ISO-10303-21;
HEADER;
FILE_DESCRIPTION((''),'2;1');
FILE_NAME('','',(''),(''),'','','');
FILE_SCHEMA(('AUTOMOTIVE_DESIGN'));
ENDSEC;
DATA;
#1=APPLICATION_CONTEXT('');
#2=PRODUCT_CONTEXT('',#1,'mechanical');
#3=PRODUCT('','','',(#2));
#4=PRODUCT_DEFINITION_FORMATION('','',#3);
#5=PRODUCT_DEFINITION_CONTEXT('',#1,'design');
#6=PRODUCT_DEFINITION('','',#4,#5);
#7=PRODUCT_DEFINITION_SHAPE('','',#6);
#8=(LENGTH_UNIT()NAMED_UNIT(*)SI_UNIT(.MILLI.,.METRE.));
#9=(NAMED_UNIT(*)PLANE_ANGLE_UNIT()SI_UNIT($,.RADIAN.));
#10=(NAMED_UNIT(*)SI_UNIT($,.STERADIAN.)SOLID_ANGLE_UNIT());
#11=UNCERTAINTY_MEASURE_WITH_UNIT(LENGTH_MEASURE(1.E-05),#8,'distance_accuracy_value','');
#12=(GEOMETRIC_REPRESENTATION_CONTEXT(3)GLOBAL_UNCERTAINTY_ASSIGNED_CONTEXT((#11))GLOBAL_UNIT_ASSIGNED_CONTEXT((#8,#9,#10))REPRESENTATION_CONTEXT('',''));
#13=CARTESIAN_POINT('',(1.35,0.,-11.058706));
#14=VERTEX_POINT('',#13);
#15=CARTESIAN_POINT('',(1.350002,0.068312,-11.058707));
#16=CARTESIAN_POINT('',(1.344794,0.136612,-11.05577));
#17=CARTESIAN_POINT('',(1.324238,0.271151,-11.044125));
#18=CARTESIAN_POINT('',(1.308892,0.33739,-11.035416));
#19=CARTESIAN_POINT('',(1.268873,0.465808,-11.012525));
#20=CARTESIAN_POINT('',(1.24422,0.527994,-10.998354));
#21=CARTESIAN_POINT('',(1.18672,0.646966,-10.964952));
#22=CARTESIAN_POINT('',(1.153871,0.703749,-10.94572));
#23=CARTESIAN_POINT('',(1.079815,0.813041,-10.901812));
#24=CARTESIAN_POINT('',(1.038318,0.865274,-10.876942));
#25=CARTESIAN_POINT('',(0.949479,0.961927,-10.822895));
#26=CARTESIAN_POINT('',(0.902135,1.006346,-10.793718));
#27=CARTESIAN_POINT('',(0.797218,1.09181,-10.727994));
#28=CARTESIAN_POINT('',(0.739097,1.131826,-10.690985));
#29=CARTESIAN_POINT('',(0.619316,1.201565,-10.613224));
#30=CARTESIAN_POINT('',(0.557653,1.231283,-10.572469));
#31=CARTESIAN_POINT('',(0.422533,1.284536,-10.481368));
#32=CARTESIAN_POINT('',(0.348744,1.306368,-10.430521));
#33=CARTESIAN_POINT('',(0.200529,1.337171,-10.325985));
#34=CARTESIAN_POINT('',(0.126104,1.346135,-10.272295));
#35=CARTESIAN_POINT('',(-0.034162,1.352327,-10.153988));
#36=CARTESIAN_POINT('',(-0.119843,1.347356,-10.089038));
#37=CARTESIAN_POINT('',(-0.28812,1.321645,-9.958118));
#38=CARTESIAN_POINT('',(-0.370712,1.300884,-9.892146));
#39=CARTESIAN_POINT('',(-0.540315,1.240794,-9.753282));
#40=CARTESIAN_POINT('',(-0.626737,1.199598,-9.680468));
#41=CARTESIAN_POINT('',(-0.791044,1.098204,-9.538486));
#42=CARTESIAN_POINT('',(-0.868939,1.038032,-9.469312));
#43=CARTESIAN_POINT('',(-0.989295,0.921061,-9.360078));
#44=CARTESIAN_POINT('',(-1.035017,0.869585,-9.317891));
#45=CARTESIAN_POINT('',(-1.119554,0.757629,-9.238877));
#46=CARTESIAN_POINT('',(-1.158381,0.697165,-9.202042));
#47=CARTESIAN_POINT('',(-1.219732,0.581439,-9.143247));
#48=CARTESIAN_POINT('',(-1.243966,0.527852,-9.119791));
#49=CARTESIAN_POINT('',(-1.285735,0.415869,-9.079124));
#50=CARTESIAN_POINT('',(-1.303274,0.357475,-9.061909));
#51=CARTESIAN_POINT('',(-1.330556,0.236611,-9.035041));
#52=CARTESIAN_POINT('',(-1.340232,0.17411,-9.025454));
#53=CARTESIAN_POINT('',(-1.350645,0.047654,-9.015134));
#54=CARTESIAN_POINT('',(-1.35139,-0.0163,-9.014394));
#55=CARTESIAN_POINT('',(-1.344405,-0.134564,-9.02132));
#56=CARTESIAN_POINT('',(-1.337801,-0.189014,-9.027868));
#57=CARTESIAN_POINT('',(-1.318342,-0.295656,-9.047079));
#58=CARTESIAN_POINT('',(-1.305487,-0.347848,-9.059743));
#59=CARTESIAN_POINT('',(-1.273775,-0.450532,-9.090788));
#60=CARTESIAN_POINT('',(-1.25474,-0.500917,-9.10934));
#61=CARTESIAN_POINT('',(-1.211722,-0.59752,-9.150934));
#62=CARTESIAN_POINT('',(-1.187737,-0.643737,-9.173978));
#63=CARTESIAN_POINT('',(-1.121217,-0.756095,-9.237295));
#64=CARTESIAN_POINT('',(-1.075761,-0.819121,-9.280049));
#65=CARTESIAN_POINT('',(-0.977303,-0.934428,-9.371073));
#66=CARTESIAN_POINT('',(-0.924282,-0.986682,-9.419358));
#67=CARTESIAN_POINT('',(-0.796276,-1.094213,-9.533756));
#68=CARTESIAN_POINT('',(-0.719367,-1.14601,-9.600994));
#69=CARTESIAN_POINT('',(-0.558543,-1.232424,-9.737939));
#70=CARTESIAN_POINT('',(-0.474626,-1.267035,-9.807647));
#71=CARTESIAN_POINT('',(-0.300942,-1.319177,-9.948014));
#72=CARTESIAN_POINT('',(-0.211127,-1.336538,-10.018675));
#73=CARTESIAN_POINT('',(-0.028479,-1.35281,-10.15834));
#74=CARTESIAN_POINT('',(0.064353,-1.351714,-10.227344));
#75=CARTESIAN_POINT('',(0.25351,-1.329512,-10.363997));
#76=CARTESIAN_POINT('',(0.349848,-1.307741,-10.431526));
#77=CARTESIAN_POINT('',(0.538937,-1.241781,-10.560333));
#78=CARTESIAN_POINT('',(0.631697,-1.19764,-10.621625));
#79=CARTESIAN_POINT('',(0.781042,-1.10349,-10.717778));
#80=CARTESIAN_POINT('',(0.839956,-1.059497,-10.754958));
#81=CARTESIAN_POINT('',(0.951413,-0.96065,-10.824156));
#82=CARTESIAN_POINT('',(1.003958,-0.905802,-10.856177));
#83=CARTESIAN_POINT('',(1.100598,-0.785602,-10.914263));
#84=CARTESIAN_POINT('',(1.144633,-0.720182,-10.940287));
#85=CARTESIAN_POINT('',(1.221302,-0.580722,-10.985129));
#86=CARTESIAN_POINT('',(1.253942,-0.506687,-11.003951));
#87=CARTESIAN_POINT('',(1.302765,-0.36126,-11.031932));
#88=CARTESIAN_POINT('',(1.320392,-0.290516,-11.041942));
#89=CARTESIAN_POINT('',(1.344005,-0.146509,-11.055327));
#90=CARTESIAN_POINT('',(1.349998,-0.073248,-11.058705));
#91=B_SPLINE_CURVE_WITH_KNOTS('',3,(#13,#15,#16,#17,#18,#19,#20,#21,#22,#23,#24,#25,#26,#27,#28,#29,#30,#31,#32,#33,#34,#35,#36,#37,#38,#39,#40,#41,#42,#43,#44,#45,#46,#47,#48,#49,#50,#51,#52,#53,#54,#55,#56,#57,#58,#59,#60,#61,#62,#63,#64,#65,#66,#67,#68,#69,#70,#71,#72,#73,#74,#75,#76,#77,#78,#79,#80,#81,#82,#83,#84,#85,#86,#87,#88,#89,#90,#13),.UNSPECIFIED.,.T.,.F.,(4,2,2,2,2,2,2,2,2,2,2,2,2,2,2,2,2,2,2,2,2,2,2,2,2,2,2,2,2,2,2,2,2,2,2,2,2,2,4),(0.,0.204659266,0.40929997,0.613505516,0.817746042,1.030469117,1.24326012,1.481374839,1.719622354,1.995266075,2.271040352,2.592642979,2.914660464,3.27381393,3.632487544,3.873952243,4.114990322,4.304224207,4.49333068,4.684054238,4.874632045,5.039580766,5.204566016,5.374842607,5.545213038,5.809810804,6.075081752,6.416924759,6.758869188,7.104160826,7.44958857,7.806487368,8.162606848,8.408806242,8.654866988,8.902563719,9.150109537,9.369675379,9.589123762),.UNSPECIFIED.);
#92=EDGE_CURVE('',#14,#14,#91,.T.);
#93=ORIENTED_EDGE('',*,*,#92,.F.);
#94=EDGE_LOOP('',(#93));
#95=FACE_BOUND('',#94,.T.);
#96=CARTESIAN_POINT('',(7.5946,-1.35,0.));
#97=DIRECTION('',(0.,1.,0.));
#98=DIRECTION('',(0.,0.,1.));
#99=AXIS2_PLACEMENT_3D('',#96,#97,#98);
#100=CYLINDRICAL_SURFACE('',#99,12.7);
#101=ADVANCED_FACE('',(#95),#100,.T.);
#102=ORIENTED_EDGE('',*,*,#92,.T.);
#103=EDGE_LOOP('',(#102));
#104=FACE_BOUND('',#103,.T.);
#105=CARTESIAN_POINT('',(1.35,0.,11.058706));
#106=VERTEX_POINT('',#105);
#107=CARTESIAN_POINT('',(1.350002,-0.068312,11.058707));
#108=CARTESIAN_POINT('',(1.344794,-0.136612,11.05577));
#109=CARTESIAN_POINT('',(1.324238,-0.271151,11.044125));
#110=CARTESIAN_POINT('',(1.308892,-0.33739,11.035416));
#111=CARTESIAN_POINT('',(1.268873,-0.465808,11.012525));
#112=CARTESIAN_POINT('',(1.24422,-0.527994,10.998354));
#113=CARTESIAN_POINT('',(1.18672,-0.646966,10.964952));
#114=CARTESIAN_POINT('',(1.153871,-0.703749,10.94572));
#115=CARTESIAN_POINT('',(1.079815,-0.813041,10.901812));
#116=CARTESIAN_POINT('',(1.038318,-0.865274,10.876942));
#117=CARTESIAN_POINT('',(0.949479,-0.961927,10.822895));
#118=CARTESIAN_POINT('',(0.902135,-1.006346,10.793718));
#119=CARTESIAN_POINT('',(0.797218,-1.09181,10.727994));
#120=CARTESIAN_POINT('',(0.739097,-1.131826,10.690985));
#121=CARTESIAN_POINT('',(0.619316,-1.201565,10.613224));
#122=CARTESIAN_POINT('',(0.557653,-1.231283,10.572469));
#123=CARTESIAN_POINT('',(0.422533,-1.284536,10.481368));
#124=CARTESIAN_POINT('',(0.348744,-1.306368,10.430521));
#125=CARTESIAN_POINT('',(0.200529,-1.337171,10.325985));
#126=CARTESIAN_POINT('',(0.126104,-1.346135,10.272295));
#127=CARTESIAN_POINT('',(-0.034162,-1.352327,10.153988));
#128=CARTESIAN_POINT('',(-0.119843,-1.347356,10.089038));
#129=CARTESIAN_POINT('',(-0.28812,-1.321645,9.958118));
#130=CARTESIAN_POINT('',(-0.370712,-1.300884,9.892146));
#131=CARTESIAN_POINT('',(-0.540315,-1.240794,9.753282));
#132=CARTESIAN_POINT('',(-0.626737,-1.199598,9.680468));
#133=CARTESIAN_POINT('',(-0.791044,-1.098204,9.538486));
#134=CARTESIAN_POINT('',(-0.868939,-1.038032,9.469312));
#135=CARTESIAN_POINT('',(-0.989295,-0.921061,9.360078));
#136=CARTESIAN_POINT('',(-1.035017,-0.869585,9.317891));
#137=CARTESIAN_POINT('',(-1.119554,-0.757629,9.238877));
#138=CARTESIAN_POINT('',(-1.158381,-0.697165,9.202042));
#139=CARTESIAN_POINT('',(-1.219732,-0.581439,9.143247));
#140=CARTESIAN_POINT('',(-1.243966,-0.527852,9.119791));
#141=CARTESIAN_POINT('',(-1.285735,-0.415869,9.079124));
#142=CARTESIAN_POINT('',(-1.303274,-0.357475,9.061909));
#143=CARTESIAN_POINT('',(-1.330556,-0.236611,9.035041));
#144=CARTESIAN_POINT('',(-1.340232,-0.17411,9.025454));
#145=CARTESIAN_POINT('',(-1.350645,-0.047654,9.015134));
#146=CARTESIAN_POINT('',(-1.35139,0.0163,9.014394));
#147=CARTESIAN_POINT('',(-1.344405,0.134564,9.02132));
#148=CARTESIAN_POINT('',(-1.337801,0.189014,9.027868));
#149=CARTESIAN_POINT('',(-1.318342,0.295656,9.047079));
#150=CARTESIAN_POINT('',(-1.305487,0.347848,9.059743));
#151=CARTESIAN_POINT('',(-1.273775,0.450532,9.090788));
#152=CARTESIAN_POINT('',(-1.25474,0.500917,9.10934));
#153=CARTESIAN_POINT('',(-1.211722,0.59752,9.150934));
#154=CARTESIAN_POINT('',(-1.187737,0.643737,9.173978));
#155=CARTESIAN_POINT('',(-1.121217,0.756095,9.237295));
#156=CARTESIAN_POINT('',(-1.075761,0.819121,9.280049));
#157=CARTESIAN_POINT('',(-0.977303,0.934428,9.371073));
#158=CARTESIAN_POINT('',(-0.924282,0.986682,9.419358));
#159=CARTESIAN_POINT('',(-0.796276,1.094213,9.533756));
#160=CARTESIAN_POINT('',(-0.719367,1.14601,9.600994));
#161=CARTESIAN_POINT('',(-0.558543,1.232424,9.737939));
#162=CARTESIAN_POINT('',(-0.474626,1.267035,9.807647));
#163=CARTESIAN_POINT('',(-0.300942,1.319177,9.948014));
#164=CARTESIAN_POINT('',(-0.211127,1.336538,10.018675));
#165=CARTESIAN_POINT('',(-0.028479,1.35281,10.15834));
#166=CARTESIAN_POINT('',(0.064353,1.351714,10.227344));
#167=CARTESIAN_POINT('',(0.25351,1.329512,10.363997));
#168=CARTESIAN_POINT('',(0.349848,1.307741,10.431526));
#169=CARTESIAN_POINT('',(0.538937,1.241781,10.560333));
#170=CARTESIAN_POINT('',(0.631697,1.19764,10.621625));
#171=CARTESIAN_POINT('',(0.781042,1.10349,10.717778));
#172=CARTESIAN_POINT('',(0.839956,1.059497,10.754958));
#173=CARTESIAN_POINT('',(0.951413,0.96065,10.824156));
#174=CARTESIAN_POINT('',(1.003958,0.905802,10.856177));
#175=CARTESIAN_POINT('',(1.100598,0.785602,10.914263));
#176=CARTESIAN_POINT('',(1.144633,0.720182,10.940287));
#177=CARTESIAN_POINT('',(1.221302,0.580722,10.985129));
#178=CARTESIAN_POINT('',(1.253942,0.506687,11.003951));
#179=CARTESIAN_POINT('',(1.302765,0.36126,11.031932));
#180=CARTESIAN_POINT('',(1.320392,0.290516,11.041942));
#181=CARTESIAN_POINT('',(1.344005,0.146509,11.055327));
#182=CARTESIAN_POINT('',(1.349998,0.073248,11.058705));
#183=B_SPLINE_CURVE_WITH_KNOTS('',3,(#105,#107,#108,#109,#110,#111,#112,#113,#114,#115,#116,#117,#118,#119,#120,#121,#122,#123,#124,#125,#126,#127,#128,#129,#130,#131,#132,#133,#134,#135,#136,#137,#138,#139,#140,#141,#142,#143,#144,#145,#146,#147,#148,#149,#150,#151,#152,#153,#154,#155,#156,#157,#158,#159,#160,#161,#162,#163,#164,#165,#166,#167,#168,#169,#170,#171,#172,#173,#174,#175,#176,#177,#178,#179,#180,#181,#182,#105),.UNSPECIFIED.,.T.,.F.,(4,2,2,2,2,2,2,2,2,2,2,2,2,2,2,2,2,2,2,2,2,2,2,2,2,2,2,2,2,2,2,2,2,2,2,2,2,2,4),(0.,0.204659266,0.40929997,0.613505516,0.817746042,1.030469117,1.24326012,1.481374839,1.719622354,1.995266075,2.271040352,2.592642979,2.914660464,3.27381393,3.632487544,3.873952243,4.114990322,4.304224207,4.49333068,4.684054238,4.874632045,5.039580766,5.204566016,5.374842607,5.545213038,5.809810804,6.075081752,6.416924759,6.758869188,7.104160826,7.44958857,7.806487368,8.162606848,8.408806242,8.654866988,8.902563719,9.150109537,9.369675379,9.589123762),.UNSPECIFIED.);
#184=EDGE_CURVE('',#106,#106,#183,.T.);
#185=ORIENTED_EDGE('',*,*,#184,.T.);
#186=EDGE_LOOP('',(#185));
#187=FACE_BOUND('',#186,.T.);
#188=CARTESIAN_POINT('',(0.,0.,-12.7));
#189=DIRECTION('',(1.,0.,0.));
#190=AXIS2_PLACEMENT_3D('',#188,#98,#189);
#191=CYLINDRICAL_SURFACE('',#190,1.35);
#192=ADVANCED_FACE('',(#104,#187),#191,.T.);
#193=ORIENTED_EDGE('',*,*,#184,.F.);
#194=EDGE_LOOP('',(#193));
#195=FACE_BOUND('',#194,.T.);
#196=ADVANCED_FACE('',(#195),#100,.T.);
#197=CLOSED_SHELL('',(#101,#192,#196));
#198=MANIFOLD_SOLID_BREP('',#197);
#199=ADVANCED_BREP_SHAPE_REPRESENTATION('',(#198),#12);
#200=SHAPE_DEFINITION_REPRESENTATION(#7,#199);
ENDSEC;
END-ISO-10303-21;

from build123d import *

# Parameters (mm, degrees)
BOSS_EXTRUDE1_DEPTH      = 12.7
BOSS_EXTRUDE1_DEPTH_BACK = 12.7
SKETCH2_R                = 1.35
CUT_EXTRUDE1_DEPTH       = 13.842702208
CUT_EXTRUDE1_DEPTH_BACK  = 13.842702208
SKETCH3_R                = 25.4
SKETCH3_R_2              = 12.7


with BuildPart() as part:
    # Sketch2 → Boss-Extrude1 (new, two sides: drawn at the far end of the back side and taken through both)
    with BuildSketch(Plane.XY.offset(-BOSS_EXTRUDE1_DEPTH_BACK)):
        Circle(SKETCH2_R)
    extrude(amount=BOSS_EXTRUDE1_DEPTH + BOSS_EXTRUDE1_DEPTH_BACK)

    # Sketch3 → Cut-Extrude1 (cut, two sides: drawn at the far end of the back side and taken through both)
    with BuildSketch(Plane(origin=(0, 0, 0), x_dir=(1, 0, 0), z_dir=(0, 1, 0)).offset(-CUT_EXTRUDE1_DEPTH_BACK)):
        with Locations((7.5946, 0)):
            Circle(SKETCH3_R)
        with Locations((7.5946, 0)):
            Circle(SKETCH3_R_2, mode=Mode.SUBTRACT)
    extrude(amount=CUT_EXTRUDE1_DEPTH + CUT_EXTRUDE1_DEPTH_BACK, mode=Mode.SUBTRACT)


solid = part.part
